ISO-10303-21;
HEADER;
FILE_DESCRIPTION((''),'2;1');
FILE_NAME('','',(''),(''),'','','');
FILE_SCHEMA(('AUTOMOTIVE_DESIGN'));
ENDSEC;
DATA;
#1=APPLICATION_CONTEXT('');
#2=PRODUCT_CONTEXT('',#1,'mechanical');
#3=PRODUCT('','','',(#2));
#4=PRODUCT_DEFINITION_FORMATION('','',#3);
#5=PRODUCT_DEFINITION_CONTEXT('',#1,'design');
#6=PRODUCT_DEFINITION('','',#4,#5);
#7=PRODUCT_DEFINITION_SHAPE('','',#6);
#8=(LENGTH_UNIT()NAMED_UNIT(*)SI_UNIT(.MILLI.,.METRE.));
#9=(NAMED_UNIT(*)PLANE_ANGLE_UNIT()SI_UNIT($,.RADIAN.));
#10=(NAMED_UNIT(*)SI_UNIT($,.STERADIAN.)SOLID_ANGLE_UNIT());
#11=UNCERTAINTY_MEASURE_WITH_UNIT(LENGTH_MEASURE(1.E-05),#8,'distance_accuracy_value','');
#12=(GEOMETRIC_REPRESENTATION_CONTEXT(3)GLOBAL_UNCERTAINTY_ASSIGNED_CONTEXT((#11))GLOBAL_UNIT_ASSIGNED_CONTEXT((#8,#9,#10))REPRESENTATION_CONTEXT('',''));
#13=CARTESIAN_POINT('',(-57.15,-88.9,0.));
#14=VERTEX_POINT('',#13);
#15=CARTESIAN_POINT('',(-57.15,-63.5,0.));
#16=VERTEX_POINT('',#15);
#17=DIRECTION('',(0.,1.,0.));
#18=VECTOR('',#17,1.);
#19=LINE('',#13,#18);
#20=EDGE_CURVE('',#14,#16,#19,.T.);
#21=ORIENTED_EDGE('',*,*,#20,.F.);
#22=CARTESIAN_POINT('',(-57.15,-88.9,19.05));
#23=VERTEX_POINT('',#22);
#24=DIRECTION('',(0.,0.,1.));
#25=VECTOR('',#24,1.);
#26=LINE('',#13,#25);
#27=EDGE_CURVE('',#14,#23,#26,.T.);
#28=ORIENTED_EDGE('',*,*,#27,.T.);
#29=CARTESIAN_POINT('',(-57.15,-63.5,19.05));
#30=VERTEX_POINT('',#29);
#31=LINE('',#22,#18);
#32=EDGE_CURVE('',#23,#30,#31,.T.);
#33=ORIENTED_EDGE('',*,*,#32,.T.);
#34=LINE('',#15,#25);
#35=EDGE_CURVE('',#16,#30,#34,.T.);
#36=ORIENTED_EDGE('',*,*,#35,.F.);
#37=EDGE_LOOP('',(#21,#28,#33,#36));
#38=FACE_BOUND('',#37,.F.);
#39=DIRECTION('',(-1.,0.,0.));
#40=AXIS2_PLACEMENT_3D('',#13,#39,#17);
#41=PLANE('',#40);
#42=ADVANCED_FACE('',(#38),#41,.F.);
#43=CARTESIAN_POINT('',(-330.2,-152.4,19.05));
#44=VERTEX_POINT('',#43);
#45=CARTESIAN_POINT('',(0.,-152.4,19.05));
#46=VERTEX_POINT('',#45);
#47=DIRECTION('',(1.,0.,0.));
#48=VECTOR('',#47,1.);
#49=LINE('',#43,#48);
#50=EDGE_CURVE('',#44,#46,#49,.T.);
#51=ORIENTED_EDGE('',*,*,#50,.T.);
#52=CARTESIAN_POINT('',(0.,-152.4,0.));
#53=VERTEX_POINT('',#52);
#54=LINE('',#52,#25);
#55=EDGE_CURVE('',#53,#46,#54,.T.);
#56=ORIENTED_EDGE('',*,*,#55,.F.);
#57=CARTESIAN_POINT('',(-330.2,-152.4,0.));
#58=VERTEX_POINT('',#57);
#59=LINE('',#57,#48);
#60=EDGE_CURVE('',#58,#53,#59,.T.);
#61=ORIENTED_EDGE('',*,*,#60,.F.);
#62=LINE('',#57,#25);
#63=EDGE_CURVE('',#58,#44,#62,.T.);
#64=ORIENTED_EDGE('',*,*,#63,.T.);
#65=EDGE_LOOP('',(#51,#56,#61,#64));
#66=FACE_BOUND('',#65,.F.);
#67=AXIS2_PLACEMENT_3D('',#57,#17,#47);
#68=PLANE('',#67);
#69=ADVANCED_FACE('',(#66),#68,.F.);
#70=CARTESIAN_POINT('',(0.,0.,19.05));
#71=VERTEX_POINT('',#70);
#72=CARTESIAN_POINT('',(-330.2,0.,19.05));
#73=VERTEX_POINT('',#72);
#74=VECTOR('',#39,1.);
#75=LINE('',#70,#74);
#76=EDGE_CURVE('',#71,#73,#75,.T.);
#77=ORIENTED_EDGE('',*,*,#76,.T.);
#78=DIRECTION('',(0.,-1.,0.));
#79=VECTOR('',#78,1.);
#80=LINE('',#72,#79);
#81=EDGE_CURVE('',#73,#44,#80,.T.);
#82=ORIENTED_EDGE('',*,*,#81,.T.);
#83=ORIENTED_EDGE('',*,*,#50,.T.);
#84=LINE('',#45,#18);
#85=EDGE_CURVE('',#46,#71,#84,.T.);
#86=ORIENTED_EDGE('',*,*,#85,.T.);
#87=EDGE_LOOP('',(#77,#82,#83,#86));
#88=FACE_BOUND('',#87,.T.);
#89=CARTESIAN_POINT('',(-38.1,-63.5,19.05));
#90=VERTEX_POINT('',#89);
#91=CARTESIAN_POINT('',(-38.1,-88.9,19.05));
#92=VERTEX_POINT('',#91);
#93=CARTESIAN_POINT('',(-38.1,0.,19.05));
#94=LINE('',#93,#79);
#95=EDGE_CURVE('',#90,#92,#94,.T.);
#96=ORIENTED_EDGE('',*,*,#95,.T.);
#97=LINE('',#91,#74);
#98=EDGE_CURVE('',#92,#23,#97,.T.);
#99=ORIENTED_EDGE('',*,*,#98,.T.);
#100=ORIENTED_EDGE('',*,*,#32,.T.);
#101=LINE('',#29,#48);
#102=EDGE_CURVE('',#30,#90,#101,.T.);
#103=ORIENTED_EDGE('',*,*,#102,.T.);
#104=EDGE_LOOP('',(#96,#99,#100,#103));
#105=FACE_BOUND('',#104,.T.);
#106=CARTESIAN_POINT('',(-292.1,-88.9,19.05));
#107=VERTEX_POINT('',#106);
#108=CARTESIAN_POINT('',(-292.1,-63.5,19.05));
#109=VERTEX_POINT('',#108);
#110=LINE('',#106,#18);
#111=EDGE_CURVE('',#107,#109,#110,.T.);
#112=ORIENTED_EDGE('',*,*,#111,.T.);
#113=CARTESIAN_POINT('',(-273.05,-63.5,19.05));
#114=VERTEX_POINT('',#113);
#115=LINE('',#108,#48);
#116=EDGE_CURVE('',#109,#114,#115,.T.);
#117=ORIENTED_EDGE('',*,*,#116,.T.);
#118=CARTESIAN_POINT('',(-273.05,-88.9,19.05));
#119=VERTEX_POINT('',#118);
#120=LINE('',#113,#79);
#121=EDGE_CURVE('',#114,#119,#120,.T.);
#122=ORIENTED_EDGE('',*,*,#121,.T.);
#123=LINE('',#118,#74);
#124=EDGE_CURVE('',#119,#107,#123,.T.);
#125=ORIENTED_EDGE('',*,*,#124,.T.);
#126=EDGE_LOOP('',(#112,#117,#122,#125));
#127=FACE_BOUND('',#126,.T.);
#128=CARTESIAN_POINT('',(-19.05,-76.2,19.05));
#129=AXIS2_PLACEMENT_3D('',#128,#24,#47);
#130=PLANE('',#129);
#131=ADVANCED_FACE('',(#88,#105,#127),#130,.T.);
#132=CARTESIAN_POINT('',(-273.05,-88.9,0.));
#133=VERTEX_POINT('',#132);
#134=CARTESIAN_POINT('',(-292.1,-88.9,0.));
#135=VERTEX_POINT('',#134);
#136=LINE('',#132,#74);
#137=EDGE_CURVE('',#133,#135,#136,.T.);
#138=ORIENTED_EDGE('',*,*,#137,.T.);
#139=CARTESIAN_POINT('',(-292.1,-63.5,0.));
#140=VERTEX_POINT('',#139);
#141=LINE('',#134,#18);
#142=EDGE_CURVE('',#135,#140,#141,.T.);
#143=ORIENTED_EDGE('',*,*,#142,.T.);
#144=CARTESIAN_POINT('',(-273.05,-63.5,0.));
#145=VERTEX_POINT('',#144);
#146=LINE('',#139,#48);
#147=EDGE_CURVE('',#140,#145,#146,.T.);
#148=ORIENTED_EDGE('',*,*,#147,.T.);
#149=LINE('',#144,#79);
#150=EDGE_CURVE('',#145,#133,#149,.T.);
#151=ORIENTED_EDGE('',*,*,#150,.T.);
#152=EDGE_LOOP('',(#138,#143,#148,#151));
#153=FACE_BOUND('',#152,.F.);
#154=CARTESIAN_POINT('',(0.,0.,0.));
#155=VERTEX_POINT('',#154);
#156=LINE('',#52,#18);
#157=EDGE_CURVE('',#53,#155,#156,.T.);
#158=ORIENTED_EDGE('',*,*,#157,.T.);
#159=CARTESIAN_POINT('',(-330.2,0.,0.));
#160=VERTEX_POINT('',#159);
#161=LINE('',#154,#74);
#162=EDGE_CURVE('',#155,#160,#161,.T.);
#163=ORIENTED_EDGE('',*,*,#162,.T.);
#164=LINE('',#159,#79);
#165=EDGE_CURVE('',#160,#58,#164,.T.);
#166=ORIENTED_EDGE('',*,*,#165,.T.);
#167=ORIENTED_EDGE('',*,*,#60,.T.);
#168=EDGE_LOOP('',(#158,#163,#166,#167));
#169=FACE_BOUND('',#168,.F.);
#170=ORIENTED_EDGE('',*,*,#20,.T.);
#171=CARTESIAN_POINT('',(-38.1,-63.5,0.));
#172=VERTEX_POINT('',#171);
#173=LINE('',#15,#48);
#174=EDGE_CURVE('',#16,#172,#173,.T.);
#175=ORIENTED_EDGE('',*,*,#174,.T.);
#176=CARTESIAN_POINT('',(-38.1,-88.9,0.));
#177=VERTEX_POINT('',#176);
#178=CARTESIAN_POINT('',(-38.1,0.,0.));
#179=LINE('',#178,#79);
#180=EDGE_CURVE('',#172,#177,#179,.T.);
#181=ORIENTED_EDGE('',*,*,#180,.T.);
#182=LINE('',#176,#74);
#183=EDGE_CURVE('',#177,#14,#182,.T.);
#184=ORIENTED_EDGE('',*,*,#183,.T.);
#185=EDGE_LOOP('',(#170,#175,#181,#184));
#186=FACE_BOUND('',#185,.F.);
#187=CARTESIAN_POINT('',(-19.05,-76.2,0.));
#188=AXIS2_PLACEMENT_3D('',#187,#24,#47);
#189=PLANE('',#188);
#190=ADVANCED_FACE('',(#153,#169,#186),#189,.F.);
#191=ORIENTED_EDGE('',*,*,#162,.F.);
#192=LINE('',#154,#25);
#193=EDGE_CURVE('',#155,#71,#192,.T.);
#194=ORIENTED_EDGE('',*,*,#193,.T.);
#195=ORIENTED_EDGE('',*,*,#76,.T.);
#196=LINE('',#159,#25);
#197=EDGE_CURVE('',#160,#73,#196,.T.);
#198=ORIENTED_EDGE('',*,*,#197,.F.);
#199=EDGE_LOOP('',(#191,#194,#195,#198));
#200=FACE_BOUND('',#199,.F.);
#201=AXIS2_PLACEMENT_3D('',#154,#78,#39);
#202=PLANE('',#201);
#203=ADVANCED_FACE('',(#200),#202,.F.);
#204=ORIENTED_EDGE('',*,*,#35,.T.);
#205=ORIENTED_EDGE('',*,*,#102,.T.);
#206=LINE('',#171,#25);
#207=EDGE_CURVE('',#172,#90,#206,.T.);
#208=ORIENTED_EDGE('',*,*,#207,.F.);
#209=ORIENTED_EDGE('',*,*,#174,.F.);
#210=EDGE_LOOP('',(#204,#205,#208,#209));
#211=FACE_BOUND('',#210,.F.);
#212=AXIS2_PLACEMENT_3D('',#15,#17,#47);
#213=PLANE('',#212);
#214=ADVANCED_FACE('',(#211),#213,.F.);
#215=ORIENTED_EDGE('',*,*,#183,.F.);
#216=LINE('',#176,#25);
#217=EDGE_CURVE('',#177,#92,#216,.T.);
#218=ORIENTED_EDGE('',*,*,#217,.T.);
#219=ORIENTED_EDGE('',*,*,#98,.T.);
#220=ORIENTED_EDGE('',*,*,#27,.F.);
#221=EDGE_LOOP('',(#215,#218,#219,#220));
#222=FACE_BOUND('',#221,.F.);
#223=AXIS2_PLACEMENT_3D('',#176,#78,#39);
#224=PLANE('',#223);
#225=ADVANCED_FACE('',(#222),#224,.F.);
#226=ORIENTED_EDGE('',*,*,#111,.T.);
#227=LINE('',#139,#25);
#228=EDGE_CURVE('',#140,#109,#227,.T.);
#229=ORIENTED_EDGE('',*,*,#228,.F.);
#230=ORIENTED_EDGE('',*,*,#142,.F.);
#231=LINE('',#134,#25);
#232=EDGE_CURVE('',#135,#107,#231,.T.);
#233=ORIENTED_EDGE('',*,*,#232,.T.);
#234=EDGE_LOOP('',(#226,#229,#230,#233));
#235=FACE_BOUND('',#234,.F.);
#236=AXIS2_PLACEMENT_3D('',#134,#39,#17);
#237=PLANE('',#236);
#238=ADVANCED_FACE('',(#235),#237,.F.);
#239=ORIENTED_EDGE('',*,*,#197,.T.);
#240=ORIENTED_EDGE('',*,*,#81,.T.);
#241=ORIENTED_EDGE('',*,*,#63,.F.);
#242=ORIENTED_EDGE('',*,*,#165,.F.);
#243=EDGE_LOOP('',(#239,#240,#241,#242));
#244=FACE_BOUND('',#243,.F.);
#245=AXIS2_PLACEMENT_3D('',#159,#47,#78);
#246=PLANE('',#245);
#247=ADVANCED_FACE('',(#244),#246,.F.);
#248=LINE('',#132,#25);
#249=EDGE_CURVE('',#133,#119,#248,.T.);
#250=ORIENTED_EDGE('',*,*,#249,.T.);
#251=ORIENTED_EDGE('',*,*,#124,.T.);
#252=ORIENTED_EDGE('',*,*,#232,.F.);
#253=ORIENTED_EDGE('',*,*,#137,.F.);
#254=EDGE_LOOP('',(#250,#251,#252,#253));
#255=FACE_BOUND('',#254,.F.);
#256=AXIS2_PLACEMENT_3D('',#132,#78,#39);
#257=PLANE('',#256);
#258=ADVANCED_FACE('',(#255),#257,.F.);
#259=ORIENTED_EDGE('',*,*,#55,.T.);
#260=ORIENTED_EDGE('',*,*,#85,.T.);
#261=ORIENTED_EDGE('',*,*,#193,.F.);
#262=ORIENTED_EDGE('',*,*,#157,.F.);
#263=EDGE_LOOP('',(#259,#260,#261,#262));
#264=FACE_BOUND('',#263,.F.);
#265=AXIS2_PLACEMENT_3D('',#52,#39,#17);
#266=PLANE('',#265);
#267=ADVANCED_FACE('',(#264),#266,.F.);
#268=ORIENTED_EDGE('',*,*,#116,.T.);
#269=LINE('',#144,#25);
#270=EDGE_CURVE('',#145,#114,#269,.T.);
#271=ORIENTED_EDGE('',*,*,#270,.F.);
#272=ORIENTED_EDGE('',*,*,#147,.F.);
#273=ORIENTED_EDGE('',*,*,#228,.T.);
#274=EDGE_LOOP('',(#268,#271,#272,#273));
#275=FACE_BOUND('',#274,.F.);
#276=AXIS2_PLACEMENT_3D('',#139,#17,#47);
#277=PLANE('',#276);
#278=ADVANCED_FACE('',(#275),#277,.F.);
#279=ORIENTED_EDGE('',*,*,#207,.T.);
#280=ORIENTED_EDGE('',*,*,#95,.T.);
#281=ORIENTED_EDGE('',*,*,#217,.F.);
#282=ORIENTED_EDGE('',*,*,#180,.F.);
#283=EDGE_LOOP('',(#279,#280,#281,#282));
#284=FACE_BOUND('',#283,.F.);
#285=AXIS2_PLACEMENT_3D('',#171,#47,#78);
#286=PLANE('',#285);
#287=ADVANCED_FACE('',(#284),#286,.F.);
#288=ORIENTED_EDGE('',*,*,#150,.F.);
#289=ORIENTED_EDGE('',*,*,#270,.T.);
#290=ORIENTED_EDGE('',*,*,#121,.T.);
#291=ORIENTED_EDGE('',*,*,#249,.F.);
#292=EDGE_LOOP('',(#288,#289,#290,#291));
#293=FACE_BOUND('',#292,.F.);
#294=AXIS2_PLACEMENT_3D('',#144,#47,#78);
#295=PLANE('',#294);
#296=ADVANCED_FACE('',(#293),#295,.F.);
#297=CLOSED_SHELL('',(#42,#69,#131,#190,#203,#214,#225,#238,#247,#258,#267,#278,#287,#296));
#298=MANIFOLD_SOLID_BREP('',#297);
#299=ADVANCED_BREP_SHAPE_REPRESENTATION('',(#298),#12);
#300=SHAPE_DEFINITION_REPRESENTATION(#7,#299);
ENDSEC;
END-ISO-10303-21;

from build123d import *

# Parameters (mm, degrees)
F1_DEPTH = 19.05


with BuildPart() as f1:
    # F0 (on Top) → F1 (new body)
    with BuildSketch(Plane.XY):
        Polygon((0, -152.4), (0, 0), (-38.1, 0), (-38.1, -63.5), (-38.1, -88.9), (-38.1, -152.4), align=None)
        Polygon((-38.1, -63.5), (-38.1, 0), (-292.1, 0), (-292.1, -63.5), (-273.05, -63.5), (-273.05, -88.9), (-292.1, -88.9), (-292.1, -152.4), (-38.1, -152.4), (-38.1, -88.9), (-57.15, -88.9), (-57.15, -63.5), align=None)
        Polygon((-292.1, -63.5), (-292.1, 0), (-330.2, 0), (-330.2, -152.4), (-292.1, -152.4), (-292.1, -88.9), align=None)
    extrude(amount=F1_DEPTH)


solid = f1.part
